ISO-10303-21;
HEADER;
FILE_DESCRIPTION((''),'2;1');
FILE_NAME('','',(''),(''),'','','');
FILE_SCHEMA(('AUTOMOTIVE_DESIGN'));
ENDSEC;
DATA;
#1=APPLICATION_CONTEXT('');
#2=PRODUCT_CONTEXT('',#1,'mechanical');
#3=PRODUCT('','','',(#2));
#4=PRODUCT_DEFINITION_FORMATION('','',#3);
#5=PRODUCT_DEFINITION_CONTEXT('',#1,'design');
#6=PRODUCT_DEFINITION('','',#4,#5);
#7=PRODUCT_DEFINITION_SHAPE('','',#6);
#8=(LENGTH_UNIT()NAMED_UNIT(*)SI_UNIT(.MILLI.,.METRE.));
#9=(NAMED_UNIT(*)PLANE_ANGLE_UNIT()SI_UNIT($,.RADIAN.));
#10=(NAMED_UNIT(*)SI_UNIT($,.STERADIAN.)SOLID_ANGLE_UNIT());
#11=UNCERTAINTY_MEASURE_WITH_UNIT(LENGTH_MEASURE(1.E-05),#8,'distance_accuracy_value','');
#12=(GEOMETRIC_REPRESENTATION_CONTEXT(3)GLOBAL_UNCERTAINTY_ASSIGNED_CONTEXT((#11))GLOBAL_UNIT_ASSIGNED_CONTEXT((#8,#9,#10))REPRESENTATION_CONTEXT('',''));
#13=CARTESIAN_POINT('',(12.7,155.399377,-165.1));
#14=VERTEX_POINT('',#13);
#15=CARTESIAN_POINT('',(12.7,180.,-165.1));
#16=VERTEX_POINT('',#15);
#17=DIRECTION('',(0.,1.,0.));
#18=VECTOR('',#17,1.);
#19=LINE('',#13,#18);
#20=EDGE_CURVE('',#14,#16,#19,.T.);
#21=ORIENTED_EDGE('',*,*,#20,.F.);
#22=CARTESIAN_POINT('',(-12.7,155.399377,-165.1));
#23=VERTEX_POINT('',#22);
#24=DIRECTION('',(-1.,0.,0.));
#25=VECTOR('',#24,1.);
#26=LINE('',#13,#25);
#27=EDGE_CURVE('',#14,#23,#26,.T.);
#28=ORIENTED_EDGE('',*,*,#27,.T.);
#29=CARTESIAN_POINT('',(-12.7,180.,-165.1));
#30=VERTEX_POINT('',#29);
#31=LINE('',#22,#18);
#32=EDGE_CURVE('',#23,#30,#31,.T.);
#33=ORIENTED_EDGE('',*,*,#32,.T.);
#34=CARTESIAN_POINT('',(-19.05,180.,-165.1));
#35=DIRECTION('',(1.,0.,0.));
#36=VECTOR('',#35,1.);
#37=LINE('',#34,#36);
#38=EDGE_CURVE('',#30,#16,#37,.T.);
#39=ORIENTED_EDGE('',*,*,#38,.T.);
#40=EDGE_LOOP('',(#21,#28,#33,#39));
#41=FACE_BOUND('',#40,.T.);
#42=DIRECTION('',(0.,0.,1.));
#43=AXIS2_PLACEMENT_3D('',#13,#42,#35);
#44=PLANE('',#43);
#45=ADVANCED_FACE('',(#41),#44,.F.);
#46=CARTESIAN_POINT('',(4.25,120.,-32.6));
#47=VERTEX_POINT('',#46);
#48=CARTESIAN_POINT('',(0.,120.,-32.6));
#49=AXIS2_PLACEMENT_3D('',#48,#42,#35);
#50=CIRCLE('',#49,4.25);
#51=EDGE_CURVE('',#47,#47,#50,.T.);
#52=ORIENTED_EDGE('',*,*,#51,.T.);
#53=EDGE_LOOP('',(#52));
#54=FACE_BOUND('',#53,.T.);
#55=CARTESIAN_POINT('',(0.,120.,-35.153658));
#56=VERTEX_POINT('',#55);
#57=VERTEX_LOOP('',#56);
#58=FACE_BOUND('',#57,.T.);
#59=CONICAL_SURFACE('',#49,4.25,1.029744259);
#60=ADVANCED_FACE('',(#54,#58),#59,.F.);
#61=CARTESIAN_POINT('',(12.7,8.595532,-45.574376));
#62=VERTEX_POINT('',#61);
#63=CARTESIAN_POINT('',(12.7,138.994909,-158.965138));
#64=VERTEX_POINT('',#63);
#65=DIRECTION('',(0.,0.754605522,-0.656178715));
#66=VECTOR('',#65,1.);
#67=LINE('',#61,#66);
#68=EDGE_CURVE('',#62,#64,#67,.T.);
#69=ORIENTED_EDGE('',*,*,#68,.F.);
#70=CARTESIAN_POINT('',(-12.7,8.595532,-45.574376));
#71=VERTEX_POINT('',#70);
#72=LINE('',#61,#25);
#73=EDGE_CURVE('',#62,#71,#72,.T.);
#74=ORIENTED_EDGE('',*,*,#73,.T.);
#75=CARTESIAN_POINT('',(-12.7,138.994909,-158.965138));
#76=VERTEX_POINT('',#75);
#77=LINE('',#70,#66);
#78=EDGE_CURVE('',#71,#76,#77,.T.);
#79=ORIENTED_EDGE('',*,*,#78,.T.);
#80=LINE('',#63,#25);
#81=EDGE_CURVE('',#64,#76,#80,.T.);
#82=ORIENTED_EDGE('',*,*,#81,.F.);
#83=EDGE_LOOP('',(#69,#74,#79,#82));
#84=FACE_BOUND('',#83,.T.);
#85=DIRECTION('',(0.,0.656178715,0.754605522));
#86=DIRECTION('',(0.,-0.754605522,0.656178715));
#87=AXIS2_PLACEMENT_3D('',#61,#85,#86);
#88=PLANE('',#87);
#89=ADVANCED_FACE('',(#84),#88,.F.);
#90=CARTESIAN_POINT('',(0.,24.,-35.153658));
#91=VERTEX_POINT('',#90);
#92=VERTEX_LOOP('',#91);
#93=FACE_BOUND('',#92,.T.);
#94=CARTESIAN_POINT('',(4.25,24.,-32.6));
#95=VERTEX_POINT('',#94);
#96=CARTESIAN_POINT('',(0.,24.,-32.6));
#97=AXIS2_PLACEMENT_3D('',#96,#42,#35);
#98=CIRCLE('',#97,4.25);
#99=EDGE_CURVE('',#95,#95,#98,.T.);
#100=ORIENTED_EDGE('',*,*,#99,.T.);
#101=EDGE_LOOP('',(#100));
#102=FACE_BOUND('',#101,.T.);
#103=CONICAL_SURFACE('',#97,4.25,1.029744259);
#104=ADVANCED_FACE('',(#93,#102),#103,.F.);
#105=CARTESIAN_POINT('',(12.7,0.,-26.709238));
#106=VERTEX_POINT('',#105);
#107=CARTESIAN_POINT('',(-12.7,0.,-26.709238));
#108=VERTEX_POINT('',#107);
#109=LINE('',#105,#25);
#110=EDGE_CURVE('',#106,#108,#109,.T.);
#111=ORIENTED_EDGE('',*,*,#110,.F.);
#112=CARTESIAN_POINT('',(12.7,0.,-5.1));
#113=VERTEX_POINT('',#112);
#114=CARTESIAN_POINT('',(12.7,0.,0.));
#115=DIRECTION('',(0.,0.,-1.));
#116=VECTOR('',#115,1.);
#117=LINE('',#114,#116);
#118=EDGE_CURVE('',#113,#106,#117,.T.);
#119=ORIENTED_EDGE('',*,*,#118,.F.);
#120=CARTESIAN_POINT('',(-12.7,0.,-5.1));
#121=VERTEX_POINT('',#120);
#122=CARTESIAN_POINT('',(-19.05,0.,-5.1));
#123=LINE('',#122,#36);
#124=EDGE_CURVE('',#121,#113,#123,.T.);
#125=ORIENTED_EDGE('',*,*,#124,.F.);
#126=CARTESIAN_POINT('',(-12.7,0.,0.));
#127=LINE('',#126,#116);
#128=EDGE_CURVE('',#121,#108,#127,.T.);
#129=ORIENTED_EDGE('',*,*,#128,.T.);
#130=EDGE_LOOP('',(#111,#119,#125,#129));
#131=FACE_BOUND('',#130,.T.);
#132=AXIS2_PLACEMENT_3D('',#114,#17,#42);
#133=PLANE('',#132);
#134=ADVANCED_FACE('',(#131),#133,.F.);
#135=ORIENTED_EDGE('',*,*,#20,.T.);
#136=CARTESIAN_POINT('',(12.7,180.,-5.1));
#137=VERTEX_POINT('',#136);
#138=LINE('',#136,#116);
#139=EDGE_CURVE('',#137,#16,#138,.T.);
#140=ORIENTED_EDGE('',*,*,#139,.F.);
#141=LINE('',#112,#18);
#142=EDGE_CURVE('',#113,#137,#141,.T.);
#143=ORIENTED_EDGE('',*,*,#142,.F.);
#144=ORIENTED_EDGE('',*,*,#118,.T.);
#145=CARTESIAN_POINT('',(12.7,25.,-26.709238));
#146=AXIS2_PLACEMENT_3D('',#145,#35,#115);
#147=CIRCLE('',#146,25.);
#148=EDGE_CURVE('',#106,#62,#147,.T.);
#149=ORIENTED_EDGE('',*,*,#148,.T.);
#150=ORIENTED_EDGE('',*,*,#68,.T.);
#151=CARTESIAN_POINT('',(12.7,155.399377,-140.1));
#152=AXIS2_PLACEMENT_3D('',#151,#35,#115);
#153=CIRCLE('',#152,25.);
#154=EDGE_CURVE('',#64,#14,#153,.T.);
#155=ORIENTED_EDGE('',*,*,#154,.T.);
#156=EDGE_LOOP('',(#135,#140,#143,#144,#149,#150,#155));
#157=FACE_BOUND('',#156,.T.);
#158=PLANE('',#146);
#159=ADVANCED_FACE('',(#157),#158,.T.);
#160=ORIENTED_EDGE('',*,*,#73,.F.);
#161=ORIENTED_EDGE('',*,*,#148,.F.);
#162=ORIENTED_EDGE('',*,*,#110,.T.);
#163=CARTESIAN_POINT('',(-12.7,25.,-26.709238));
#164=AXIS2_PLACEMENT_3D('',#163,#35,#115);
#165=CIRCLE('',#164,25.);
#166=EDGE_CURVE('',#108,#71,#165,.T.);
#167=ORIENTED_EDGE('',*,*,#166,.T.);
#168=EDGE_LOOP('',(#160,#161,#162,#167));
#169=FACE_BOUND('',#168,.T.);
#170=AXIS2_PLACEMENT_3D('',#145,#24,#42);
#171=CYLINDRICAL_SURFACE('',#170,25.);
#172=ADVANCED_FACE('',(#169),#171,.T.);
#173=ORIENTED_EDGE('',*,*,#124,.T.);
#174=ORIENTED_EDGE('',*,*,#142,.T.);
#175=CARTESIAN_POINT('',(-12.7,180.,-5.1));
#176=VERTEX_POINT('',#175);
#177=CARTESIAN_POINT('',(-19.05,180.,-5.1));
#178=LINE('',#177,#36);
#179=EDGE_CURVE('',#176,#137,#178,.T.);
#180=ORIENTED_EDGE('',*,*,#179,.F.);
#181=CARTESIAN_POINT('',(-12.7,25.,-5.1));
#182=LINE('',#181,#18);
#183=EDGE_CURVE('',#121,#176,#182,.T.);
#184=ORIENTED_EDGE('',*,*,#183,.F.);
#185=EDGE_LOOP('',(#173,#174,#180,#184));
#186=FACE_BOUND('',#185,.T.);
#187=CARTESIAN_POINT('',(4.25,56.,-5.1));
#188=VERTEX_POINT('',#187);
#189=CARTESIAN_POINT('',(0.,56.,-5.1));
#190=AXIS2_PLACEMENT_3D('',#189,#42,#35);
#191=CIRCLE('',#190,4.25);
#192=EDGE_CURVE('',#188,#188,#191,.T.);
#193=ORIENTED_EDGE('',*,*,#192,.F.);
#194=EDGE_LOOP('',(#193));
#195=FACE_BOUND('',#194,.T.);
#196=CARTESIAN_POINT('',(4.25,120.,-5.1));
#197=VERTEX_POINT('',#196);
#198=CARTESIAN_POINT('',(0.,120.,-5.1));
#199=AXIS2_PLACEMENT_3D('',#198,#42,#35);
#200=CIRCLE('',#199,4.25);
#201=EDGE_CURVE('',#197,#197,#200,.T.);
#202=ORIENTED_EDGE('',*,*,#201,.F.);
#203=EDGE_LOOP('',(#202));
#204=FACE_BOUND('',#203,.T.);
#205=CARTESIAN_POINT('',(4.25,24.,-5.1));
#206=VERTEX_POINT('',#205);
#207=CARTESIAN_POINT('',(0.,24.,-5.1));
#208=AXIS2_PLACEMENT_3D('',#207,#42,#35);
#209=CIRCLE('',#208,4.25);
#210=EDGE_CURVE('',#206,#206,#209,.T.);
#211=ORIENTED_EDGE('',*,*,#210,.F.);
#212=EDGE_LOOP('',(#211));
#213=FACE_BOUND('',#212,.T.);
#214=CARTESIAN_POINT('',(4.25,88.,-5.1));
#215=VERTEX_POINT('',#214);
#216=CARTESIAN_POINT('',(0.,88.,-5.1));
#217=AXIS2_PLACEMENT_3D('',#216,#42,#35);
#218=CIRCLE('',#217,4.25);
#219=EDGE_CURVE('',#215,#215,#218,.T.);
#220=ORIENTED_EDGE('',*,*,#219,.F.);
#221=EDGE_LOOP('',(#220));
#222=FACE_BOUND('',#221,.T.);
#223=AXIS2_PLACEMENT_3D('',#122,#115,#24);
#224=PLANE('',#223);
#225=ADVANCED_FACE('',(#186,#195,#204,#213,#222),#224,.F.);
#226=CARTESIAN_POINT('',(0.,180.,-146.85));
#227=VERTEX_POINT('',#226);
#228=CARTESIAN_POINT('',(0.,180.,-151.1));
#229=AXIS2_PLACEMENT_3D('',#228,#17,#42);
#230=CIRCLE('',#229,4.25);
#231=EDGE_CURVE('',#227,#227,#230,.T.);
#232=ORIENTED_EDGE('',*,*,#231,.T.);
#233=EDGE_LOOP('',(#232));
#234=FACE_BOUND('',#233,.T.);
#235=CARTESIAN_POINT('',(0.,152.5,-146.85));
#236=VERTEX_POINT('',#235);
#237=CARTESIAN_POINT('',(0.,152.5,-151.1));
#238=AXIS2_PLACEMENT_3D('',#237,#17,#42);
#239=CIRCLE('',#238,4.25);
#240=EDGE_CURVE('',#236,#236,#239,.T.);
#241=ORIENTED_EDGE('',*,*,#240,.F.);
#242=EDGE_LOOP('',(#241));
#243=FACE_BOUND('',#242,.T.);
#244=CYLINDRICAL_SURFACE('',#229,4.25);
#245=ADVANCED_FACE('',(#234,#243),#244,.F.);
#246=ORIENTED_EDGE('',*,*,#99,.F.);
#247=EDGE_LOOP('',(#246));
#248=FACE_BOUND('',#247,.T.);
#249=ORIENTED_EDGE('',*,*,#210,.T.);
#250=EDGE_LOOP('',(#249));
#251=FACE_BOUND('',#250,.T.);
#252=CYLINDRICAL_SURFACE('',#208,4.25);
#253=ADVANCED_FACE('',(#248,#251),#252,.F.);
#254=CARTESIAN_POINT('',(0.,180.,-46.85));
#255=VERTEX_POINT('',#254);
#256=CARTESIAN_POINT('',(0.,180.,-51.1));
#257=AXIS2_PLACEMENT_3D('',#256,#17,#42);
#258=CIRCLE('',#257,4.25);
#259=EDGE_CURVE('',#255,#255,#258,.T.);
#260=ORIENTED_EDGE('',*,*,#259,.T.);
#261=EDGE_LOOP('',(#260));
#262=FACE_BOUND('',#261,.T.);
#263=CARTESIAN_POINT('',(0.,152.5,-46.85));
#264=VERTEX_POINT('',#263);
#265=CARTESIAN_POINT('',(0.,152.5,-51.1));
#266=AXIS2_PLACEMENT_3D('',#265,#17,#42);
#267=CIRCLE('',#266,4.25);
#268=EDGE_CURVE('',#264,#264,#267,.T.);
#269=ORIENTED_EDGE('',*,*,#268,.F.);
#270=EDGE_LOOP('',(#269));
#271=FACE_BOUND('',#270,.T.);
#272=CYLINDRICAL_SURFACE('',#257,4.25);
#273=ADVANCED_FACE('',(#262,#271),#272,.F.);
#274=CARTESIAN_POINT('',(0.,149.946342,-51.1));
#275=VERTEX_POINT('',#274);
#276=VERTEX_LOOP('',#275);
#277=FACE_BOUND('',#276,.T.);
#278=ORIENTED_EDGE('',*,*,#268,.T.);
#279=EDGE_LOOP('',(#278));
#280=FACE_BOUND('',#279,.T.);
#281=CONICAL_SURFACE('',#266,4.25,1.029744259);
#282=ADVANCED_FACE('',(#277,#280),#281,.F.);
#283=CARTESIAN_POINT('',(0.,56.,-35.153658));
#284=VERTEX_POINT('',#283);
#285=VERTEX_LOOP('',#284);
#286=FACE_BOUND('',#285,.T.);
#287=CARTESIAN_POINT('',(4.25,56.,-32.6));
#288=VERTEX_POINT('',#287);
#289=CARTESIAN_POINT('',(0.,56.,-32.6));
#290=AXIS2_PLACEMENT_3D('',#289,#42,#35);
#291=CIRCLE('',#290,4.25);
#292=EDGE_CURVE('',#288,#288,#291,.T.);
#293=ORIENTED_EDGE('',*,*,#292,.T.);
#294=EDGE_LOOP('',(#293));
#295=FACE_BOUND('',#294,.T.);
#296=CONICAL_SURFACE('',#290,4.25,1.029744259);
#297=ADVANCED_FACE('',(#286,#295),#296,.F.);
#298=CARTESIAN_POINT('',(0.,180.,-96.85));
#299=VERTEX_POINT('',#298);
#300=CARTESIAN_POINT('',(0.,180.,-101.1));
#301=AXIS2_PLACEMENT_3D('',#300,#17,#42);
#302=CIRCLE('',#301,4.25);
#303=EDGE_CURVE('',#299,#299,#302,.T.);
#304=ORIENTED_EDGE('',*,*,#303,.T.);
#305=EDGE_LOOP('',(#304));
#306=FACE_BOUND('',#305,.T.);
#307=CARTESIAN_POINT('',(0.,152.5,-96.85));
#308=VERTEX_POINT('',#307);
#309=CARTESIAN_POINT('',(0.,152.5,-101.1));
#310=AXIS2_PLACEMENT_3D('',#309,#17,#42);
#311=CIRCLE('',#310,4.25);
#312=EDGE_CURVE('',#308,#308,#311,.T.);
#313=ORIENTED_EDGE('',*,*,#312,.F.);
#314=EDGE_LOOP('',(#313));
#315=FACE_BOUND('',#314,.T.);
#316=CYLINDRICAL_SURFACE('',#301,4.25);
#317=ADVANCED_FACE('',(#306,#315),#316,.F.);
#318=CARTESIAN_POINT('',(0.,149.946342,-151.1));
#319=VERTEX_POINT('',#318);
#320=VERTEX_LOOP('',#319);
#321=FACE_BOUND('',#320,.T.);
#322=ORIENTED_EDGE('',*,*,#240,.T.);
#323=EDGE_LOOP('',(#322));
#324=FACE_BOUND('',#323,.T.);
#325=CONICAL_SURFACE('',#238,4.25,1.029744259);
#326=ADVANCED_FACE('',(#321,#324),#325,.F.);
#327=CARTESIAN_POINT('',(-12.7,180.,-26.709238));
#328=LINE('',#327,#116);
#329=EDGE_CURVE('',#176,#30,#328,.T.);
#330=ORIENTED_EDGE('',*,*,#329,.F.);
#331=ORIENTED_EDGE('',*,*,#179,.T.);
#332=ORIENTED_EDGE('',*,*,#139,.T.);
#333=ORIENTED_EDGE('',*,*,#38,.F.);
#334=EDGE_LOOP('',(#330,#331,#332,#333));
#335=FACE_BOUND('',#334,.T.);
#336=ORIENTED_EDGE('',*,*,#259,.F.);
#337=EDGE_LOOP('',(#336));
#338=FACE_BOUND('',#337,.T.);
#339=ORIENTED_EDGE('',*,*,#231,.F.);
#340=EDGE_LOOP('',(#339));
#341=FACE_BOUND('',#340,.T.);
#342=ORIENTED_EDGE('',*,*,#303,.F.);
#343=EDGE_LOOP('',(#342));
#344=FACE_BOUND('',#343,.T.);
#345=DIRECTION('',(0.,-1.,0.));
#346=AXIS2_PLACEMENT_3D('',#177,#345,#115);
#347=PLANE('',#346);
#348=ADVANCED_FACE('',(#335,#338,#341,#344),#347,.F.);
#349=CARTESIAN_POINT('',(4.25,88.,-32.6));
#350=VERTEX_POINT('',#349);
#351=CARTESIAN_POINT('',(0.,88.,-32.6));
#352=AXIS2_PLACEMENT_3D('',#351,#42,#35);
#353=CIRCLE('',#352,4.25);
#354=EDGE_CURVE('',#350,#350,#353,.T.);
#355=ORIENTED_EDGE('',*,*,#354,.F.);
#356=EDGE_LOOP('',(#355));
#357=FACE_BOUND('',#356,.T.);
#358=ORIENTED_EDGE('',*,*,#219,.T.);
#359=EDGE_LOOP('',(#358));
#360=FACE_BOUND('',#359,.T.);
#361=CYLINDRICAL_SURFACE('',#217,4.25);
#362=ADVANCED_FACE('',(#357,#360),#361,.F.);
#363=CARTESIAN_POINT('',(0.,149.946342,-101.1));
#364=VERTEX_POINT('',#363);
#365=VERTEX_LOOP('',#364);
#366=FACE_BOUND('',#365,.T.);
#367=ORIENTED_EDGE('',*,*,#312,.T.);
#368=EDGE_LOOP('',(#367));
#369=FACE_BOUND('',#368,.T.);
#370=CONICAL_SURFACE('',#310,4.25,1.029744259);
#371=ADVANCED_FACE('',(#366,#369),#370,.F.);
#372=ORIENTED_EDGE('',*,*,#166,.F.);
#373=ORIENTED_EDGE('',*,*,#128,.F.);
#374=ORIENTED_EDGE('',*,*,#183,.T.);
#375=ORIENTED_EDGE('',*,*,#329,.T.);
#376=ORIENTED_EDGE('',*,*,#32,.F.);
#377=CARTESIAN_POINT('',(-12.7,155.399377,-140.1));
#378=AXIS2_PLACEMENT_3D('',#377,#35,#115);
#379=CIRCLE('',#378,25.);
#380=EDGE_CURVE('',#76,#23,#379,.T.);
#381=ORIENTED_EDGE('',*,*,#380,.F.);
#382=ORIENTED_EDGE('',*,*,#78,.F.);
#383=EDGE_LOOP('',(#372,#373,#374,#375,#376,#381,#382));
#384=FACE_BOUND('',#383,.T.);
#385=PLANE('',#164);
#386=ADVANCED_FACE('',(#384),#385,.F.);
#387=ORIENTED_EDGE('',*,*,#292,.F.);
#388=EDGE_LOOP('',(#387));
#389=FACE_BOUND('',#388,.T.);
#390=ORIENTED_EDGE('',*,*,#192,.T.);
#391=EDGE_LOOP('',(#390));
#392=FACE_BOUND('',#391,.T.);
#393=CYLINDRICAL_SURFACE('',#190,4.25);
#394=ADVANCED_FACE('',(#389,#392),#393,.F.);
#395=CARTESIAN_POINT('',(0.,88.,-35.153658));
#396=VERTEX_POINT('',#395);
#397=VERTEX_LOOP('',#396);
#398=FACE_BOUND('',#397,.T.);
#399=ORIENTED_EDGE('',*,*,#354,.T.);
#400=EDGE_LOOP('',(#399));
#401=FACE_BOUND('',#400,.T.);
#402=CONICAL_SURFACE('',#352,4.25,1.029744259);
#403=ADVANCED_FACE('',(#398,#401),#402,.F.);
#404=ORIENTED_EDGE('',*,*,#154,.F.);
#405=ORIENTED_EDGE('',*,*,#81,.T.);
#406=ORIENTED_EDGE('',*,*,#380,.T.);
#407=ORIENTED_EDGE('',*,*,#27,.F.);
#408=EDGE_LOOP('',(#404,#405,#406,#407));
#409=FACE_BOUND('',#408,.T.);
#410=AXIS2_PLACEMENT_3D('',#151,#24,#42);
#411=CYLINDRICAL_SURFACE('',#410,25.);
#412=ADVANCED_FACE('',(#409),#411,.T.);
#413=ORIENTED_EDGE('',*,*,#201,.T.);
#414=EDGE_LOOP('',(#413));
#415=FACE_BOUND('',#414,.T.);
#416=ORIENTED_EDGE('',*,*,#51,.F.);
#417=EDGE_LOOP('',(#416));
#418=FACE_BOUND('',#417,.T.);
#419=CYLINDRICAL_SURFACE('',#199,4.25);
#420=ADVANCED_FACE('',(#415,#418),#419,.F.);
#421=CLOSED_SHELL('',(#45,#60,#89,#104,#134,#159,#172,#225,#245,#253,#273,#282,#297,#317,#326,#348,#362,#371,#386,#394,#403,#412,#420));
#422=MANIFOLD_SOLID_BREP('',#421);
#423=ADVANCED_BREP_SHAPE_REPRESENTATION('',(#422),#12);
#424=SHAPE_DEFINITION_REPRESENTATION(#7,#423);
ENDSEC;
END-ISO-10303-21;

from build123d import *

# Parameters (mm, degrees)
BOSS_EXTRUDE1_DEPTH    = 12.7
CUT_EXTRUDE1_DEPTH     = 31.75
M10_TAPPED_HOLE1_D     = 8.5
M10_TAPPED_HOLE1_DEPTH = 27.5
M10_TAPPED_HOLE1_TIP   = 2.553657631
M10_TAPPED_HOLE2_D     = 8.5
M10_TAPPED_HOLE2_DEPTH = 27.5
M10_TAPPED_HOLE2_TIP   = 2.553657631


with BuildPart() as part:
    # Sketch1 → Boss-Extrude1 (new, symmetric)
    with BuildSketch(Plane(origin=(0, 0, 0), x_dir=(0, 0, -1), z_dir=(1, 0, 0))):
        with BuildLine():
            Line((0, 0), (26.709237708, 0))
            ThreePointArc((26.709237708, 0), (37.074764786, 2.250146189), (45.574375763, 8.595532127))
            Line((45.574375763, 8.595532127), (158.965138054, 138.994908762))
            ThreePointArc((158.965138054, 138.994908762), (163.516110387, 146.642335221), (165.1, 155.399376635))
            Line((165.1, 155.399376635), (165.1, 184.15))
            Line((165.1, 184.15), (0, 184.15))
            Line((0, 184.15), (0, 0))
        make_face()
    extrude(amount=BOSS_EXTRUDE1_DEPTH, both=True)

    # Sketch2 → Cut-Extrude1 (cut)
    with BuildSketch(Plane(origin=(12.7, 0, 0), x_dir=(0, 0, -1), z_dir=(1, 0, 0))):
        Polygon((0, 184.15), (0, 0), (5.1, 0), (5.1, 180), (165.1, 180), (165.1, 184.15), align=None)
    extrude(amount=-CUT_EXTRUDE1_DEPTH, mode=Mode.SUBTRACT)

    # M10 Tapped Hole1
    with Locations(Plane(origin=(0, 180, 0), x_dir=(1, 0, 0), z_dir=(0, 1, 0))):
        with Locations((0, 51.100000098), (0, 101.100000098), (0, 151.100000098)):
            Hole(M10_TAPPED_HOLE1_D / 2, depth=M10_TAPPED_HOLE1_DEPTH)
            with Locations((0, 0, -(M10_TAPPED_HOLE1_DEPTH + M10_TAPPED_HOLE1_TIP / 2))):  # 118° drill point
                Cone(0, M10_TAPPED_HOLE1_D / 2, M10_TAPPED_HOLE1_TIP, mode=Mode.SUBTRACT)

    # M10 Tapped Hole2
    with Locations(Plane.XY.offset(-5.1)):
        with Locations((0, 120), (0, 88), (0, 56), (0, 24)):
            Hole(M10_TAPPED_HOLE2_D / 2, depth=M10_TAPPED_HOLE2_DEPTH)
            with Locations((0, 0, -(M10_TAPPED_HOLE2_DEPTH + M10_TAPPED_HOLE2_TIP / 2))):  # 118° drill point
                Cone(0, M10_TAPPED_HOLE2_D / 2, M10_TAPPED_HOLE2_TIP, mode=Mode.SUBTRACT)


solid = part.part
